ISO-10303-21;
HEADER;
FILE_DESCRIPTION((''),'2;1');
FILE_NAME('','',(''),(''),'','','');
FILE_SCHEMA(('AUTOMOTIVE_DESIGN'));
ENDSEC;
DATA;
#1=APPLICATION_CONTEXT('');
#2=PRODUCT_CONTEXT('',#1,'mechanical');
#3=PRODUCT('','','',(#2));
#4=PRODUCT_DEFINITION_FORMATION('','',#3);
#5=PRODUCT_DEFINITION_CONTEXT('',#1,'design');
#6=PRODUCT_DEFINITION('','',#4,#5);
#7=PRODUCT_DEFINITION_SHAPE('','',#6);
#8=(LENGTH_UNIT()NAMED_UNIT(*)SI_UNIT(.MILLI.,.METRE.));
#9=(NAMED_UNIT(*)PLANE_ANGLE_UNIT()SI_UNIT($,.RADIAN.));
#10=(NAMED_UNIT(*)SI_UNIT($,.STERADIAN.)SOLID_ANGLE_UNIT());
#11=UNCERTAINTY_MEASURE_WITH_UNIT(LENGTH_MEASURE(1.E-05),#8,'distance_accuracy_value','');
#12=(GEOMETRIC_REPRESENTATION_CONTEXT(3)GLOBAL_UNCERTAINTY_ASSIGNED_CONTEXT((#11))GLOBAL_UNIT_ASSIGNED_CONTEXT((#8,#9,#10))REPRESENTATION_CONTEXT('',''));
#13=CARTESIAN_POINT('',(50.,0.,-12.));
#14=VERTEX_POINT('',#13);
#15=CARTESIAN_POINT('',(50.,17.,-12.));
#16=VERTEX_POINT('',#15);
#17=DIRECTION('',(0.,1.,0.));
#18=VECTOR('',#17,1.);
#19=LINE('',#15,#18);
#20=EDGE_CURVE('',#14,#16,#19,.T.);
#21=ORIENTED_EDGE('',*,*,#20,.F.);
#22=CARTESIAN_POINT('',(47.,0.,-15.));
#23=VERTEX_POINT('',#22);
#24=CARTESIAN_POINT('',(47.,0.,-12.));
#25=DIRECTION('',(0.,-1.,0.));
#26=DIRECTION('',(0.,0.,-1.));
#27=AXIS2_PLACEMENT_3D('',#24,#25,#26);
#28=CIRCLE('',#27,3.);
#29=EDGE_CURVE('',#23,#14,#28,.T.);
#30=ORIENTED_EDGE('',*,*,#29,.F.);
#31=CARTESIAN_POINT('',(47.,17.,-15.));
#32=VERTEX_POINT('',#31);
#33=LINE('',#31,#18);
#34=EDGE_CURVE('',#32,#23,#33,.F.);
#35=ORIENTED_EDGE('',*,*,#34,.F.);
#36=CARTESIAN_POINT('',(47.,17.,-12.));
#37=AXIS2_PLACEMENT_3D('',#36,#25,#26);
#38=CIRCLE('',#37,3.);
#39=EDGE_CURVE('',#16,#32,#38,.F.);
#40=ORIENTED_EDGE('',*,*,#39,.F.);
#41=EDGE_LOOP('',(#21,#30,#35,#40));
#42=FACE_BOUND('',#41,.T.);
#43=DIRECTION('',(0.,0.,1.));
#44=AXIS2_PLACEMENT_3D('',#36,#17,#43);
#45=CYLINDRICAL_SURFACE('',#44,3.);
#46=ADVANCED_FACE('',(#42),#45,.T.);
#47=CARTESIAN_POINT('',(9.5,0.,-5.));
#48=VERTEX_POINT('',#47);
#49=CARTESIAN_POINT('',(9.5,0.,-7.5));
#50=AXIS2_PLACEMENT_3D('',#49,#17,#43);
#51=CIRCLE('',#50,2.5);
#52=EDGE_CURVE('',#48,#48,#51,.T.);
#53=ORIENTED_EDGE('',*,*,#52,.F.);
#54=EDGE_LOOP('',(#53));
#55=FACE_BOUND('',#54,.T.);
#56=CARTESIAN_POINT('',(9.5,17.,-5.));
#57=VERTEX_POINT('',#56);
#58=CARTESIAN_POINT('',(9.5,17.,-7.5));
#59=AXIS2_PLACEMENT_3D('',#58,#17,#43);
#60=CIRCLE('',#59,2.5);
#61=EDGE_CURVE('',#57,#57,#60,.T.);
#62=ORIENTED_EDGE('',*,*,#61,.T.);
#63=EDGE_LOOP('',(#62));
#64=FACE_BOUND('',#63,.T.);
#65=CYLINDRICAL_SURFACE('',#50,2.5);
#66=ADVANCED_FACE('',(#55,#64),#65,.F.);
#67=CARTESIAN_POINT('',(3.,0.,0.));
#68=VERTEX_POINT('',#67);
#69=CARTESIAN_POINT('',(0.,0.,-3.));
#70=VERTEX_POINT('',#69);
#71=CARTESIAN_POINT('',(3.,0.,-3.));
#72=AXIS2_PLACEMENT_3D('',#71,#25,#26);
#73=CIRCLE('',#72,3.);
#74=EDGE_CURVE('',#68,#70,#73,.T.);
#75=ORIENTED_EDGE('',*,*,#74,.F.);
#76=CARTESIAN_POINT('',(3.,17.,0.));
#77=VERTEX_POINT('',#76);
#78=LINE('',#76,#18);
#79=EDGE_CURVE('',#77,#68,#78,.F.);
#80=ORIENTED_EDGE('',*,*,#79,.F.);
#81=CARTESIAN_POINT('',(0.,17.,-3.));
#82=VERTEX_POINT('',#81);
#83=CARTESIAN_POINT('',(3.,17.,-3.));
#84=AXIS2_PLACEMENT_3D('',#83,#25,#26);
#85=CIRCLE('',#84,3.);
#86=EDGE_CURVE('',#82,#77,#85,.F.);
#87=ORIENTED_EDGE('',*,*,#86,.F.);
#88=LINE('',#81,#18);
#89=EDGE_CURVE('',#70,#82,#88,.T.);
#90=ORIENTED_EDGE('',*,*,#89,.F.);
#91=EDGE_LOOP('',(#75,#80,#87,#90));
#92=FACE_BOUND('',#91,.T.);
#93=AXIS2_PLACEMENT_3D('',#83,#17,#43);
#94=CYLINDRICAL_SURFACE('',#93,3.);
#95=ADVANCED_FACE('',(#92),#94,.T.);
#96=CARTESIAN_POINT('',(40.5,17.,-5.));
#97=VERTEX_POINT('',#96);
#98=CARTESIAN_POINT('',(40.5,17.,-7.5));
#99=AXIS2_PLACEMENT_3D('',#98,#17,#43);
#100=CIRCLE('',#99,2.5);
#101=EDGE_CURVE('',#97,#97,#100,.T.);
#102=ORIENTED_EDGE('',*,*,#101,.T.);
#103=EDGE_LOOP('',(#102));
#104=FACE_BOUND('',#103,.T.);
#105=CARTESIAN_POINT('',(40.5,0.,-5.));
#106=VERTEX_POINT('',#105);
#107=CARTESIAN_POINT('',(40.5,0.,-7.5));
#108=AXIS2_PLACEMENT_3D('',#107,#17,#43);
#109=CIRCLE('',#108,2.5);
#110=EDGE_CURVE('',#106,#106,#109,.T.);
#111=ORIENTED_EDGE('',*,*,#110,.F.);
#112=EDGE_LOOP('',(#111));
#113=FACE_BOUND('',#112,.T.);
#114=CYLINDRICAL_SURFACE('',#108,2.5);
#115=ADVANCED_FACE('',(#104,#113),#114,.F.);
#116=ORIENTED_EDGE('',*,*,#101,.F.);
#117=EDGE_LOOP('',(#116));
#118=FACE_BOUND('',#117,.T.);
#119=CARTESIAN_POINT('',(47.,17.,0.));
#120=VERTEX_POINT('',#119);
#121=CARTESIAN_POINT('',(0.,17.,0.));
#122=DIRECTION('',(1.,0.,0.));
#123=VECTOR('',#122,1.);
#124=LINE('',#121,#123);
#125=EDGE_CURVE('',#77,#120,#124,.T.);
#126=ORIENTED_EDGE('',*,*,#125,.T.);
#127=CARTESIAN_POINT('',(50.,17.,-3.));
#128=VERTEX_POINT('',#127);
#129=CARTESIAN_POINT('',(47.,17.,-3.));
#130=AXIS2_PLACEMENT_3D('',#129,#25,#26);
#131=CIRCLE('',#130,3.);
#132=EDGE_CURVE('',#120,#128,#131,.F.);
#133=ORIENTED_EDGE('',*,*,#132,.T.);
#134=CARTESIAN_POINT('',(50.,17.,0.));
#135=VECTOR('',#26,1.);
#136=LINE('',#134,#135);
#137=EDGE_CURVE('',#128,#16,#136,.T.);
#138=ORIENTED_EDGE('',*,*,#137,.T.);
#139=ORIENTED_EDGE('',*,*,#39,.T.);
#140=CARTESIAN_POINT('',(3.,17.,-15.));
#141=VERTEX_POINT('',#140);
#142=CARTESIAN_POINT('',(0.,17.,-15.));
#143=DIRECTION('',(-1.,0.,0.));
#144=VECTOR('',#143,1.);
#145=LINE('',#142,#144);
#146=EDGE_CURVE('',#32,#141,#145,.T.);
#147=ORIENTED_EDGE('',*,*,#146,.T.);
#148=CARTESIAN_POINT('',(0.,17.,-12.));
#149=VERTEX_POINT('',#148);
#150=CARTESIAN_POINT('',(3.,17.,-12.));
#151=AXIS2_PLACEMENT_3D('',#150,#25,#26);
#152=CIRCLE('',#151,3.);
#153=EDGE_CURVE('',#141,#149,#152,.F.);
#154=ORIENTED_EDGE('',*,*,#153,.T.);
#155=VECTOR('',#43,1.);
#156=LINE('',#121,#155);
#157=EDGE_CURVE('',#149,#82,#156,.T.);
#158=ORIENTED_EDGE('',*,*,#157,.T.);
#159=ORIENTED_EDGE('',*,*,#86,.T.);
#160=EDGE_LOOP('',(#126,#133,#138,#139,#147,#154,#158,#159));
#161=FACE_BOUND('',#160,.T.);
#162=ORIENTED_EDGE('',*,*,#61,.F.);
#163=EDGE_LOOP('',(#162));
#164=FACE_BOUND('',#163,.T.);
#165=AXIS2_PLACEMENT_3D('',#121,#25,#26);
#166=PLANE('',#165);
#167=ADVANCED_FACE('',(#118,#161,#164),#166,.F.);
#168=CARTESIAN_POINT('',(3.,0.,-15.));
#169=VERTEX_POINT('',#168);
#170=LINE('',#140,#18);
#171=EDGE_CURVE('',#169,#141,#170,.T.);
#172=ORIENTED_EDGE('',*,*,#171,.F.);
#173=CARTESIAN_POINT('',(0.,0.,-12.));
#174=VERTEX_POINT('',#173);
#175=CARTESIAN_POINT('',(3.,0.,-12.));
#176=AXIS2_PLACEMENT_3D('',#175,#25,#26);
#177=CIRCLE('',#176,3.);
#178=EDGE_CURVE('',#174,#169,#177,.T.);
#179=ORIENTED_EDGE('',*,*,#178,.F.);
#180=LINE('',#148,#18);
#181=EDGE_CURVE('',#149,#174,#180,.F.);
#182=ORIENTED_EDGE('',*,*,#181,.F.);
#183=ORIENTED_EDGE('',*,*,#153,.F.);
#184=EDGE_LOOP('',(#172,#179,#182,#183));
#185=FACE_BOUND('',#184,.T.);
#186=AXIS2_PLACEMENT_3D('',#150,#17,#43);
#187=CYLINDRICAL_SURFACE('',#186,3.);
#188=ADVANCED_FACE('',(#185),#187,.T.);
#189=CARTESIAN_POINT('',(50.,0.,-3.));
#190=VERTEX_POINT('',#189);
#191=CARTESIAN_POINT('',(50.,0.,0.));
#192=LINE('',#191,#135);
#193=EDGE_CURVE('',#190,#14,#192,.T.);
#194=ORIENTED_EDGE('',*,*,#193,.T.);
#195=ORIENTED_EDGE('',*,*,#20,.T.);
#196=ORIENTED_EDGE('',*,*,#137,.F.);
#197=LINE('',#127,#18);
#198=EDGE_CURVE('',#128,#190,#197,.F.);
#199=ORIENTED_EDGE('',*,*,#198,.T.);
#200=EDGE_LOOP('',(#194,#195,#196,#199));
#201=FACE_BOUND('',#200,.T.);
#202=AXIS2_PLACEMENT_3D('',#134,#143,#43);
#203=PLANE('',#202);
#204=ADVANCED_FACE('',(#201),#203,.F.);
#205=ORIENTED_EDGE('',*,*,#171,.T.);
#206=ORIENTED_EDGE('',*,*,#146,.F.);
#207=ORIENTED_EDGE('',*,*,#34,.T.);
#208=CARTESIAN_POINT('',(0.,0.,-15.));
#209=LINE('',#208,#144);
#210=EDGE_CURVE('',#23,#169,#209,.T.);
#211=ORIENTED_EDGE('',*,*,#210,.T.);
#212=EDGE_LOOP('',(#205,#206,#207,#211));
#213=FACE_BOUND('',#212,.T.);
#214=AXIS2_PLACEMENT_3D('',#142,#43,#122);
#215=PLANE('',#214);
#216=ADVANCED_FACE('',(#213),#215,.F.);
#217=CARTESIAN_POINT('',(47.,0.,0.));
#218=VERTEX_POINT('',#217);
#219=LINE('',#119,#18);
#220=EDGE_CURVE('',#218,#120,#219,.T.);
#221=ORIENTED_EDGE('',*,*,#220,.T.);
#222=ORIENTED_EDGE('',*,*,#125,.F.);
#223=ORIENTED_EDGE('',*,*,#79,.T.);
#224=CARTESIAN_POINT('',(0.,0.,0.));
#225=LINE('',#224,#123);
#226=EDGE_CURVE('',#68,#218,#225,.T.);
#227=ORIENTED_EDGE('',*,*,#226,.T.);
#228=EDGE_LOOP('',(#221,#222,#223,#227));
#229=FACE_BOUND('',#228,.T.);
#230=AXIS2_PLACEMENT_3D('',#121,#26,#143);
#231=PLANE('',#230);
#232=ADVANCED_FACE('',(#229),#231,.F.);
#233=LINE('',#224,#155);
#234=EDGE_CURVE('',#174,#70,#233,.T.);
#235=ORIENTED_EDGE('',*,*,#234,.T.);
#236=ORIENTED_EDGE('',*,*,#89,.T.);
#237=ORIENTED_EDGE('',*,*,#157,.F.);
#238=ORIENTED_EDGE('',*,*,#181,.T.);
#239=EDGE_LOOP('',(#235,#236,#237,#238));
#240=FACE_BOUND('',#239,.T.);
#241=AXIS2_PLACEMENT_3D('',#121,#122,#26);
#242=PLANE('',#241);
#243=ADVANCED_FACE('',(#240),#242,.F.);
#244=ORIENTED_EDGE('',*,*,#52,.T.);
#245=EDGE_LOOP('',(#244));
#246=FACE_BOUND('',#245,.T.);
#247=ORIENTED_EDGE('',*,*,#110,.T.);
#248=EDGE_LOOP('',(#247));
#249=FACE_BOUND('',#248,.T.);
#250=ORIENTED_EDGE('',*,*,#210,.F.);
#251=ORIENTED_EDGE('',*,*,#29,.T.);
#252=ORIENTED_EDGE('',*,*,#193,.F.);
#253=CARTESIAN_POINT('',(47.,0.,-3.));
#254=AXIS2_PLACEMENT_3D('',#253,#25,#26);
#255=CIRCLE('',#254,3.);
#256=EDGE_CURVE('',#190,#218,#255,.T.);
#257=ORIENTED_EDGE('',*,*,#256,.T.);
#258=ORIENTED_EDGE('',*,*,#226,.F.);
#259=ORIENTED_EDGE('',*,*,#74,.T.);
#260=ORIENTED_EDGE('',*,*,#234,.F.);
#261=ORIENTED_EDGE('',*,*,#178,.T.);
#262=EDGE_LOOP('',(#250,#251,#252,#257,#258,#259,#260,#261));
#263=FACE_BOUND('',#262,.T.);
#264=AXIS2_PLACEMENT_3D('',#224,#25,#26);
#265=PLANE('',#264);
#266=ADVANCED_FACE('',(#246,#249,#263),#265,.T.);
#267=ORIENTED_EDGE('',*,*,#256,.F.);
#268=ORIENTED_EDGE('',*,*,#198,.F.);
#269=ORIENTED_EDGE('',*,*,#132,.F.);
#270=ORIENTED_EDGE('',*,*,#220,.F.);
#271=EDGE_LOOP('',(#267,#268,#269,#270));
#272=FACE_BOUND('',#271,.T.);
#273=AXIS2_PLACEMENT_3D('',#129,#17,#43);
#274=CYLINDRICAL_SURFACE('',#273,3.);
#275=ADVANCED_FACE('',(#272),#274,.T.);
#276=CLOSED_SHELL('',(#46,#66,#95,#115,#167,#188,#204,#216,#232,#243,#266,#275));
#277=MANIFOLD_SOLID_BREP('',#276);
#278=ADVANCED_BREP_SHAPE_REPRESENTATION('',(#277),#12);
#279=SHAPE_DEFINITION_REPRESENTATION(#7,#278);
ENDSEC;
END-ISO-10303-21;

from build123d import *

# Parameters (mm, degrees)
SKETCH1_W           = 50
SKETCH1_H           = 15
BOSS_EXTRUDE1_DEPTH = 17
FILLET1_R           = 3
FILLET2_R           = 3
FILLET3_R           = 3
FILLET4_R           = 3
SKETCH2_R           = 2.5
CUT_EXTRUDE1_DEPTH  = 17


with BuildPart() as part:
    # Sketch1 → Boss-Extrude1 (new body)
    with BuildSketch(Plane(origin=(0, 0, 0), x_dir=(1, 0, 0), z_dir=(0, 1, 0))):
        with Locations((25, 7.5)):
            Rectangle(SKETCH1_W, SKETCH1_H)
    extrude(amount=BOSS_EXTRUDE1_DEPTH)

    # Fillet1
    fillet1_edges = [part.edges().sort_by_distance(p)[0] for p in [
        (50, 8.5, 0),
    ]]
    fillet(fillet1_edges, radius=FILLET1_R)

    # Fillet2
    fillet2_edges = [part.edges().sort_by_distance(p)[0] for p in [
        (50, 8.5, -15),
    ]]
    fillet(fillet2_edges, radius=FILLET2_R)

    # Fillet3
    fillet3_edges = [part.edges().sort_by_distance(p)[0] for p in [
        (0, 8.5, -15),
    ]]
    fillet(fillet3_edges, radius=FILLET3_R)

    # Fillet4
    fillet4_edges = [part.edges().sort_by_distance(p)[0] for p in [
        (0, 8.5, 0),
    ]]
    fillet(fillet4_edges, radius=FILLET4_R)

    # Sketch2 → Cut-Extrude1 (cut)
    with BuildSketch(Plane(origin=(0, 17, 0), x_dir=(1, 0, 0), z_dir=(0, 1, 0))):
        with Locations(Location((40.5, 7.5, 0), (0, 0, 270))):
            Circle(SKETCH2_R)
        with Locations(Location((9.5, 7.5, 0), (0, 0, 270))):
            Circle(SKETCH2_R)
    extrude(amount=-CUT_EXTRUDE1_DEPTH, mode=Mode.SUBTRACT)


solid = part.part
